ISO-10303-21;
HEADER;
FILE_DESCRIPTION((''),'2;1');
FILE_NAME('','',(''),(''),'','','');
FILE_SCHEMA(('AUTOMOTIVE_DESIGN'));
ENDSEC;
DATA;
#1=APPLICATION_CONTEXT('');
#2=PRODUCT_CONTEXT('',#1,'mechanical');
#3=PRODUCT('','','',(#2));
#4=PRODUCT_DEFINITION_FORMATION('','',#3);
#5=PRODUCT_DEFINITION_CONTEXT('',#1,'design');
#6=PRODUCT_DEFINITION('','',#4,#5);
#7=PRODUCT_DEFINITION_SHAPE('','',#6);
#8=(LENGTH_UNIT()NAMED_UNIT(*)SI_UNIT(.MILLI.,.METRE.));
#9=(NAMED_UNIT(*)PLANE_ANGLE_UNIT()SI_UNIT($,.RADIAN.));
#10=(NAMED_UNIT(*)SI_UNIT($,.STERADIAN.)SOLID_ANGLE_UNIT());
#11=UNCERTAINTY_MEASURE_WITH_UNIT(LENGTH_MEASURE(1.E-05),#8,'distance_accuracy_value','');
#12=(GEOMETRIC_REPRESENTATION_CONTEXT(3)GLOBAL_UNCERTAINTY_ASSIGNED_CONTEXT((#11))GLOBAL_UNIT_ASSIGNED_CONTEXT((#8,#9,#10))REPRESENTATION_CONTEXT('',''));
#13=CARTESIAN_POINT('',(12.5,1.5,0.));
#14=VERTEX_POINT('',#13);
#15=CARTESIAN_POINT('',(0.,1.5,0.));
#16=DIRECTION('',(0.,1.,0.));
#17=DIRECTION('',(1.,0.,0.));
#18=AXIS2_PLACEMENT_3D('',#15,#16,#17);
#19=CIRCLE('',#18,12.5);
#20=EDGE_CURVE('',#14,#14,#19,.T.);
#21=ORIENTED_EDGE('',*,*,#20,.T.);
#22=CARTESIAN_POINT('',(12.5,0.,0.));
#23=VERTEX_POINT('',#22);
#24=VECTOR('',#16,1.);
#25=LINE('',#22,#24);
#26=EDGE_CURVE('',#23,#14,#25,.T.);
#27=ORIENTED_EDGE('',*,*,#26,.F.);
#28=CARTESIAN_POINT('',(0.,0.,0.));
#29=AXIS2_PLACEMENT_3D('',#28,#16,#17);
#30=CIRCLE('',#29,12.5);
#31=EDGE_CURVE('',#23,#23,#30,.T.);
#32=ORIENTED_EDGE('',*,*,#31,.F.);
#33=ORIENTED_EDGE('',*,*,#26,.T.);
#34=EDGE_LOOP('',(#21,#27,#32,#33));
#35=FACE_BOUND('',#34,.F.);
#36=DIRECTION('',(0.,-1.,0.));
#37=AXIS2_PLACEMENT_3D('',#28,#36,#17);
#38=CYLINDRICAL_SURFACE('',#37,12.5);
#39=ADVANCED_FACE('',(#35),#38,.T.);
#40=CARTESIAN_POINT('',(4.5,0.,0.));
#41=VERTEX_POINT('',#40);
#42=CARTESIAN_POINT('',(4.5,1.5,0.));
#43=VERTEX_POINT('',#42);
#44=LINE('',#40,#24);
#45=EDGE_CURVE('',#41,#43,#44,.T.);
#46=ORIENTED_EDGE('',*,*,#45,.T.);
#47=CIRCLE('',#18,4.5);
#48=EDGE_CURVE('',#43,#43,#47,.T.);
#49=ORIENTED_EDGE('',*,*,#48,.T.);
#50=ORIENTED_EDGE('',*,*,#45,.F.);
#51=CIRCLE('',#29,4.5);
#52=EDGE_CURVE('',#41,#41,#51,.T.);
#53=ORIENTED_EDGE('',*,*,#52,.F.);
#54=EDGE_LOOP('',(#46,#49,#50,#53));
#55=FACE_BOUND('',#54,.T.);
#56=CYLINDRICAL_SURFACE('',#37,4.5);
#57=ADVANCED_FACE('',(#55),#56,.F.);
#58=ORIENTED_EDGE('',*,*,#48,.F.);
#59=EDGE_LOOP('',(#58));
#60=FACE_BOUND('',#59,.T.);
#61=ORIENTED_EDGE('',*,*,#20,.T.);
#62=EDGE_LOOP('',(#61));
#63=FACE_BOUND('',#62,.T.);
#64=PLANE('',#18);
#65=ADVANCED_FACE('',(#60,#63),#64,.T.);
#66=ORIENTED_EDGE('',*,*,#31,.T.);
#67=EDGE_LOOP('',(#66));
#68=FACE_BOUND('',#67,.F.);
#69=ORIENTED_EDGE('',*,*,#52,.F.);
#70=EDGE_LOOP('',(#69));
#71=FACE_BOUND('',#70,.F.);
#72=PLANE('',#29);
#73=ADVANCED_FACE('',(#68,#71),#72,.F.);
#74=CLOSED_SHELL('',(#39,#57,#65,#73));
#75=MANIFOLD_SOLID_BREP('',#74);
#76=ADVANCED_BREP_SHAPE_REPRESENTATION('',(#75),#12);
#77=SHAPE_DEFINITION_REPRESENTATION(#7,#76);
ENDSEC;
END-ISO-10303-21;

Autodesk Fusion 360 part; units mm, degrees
sketch "Sketch1" plane through (0, 0, 0) normal (0, 1, 0) x (1, 0, 0)
  circle A0 centre (0, 0) radius 4.5
  circle A1 centre (0, 0) radius 12.5
  dimension "d1" = 9
  dimension "d2" = 25
extrude "Extrude1" add sketch "Sketch1" along normal blind 1.5
sketch "Sketch2" plane through (0, 1.5, 0) normal (0, 1, 0) x (-1, 0, 0)
  circle A0 centre (0, 0) radius 4.5
  circle A1 centre (0, 0) radius 12.5
